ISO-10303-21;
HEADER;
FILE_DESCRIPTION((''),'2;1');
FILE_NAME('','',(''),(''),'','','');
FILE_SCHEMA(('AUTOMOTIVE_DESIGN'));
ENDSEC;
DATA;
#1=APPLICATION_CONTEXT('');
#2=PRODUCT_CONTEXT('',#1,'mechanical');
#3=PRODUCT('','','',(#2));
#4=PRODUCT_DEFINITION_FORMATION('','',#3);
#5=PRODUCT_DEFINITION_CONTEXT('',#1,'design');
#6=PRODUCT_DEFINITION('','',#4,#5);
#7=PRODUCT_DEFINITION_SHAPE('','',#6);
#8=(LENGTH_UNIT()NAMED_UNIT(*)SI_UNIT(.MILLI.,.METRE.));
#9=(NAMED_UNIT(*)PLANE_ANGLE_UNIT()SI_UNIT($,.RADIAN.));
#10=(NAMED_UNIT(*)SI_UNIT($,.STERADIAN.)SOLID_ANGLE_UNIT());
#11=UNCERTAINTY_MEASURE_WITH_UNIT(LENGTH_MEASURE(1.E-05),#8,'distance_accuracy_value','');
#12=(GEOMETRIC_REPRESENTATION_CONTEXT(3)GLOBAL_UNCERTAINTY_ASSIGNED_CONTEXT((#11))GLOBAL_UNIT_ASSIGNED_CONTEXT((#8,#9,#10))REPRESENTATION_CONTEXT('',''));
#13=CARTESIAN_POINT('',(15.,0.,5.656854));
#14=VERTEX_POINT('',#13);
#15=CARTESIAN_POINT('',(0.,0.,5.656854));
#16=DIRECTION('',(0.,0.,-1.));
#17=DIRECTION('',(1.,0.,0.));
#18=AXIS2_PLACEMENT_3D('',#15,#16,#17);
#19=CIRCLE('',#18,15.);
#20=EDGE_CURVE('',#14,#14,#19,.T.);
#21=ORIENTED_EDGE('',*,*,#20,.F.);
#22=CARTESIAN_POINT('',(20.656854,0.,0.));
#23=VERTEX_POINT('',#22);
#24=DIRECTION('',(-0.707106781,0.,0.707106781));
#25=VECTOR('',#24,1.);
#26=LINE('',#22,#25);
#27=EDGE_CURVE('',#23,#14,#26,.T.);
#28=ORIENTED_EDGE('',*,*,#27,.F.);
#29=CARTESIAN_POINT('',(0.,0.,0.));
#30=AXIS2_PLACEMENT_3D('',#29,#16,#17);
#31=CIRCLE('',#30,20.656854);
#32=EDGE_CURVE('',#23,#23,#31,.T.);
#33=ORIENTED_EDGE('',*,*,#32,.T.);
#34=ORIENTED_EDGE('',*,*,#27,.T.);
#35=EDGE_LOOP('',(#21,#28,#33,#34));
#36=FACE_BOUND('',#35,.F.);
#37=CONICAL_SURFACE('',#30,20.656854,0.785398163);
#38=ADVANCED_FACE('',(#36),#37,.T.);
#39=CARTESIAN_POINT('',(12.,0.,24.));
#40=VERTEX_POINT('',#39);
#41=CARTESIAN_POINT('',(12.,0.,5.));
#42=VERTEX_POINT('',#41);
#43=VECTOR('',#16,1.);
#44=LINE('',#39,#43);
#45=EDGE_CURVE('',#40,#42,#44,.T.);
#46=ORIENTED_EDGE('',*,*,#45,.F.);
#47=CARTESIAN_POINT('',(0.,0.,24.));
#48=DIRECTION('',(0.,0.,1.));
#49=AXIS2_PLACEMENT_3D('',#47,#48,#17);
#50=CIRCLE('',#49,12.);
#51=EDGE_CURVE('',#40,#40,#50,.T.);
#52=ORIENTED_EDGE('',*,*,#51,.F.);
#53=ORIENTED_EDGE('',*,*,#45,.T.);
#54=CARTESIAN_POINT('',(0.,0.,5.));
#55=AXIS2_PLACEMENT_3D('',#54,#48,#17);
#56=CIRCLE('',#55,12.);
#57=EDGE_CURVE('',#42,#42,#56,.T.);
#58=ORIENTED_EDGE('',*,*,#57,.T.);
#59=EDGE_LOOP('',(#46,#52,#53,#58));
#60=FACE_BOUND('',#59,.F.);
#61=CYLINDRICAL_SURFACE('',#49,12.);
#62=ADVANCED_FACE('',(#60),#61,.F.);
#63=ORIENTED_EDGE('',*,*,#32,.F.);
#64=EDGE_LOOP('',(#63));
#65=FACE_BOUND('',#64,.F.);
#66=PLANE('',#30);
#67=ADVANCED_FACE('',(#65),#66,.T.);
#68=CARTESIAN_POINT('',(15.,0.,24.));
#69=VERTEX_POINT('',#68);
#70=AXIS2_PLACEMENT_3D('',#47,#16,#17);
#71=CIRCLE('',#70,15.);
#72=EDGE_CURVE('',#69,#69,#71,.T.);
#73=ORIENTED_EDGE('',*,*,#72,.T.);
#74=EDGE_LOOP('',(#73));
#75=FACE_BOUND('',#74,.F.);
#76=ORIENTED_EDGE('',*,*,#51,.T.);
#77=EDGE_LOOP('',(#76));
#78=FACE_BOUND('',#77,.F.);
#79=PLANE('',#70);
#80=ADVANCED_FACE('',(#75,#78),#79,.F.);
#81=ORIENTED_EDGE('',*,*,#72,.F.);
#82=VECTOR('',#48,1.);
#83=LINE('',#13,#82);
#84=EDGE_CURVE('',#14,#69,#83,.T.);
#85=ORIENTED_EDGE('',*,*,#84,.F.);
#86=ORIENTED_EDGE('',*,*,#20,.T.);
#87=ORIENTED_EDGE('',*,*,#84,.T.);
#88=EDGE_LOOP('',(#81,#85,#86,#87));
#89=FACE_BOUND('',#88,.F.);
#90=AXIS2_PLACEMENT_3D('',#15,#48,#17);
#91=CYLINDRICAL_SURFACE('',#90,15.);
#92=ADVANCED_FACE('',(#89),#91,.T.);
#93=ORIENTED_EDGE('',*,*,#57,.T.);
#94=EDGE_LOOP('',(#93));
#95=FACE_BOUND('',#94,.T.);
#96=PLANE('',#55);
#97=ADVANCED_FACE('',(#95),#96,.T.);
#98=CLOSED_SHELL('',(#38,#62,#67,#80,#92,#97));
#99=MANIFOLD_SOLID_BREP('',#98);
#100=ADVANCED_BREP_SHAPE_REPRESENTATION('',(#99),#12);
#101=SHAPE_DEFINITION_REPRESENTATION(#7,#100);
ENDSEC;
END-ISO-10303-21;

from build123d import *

# Parameters (mm, degrees)
F2_R     = 12
F3_DEPTH = 19


with BuildPart() as f1:
    # F0 (on Front) → F1 (revolve)
    with BuildSketch(Plane.XZ):
        Polygon((0, 24), (0, 0), (20.656854, 0), (15, 5.656854), (15, 24), align=None)
    revolve(axis=Axis((0, 0, 12), (0, 0, -1)))

    # F2 (on face) → F3 (cut)
    with BuildSketch(Plane.XY.offset(24)):
        Circle(F2_R)
    extrude(amount=-F3_DEPTH, mode=Mode.SUBTRACT)


solid = f1.part
